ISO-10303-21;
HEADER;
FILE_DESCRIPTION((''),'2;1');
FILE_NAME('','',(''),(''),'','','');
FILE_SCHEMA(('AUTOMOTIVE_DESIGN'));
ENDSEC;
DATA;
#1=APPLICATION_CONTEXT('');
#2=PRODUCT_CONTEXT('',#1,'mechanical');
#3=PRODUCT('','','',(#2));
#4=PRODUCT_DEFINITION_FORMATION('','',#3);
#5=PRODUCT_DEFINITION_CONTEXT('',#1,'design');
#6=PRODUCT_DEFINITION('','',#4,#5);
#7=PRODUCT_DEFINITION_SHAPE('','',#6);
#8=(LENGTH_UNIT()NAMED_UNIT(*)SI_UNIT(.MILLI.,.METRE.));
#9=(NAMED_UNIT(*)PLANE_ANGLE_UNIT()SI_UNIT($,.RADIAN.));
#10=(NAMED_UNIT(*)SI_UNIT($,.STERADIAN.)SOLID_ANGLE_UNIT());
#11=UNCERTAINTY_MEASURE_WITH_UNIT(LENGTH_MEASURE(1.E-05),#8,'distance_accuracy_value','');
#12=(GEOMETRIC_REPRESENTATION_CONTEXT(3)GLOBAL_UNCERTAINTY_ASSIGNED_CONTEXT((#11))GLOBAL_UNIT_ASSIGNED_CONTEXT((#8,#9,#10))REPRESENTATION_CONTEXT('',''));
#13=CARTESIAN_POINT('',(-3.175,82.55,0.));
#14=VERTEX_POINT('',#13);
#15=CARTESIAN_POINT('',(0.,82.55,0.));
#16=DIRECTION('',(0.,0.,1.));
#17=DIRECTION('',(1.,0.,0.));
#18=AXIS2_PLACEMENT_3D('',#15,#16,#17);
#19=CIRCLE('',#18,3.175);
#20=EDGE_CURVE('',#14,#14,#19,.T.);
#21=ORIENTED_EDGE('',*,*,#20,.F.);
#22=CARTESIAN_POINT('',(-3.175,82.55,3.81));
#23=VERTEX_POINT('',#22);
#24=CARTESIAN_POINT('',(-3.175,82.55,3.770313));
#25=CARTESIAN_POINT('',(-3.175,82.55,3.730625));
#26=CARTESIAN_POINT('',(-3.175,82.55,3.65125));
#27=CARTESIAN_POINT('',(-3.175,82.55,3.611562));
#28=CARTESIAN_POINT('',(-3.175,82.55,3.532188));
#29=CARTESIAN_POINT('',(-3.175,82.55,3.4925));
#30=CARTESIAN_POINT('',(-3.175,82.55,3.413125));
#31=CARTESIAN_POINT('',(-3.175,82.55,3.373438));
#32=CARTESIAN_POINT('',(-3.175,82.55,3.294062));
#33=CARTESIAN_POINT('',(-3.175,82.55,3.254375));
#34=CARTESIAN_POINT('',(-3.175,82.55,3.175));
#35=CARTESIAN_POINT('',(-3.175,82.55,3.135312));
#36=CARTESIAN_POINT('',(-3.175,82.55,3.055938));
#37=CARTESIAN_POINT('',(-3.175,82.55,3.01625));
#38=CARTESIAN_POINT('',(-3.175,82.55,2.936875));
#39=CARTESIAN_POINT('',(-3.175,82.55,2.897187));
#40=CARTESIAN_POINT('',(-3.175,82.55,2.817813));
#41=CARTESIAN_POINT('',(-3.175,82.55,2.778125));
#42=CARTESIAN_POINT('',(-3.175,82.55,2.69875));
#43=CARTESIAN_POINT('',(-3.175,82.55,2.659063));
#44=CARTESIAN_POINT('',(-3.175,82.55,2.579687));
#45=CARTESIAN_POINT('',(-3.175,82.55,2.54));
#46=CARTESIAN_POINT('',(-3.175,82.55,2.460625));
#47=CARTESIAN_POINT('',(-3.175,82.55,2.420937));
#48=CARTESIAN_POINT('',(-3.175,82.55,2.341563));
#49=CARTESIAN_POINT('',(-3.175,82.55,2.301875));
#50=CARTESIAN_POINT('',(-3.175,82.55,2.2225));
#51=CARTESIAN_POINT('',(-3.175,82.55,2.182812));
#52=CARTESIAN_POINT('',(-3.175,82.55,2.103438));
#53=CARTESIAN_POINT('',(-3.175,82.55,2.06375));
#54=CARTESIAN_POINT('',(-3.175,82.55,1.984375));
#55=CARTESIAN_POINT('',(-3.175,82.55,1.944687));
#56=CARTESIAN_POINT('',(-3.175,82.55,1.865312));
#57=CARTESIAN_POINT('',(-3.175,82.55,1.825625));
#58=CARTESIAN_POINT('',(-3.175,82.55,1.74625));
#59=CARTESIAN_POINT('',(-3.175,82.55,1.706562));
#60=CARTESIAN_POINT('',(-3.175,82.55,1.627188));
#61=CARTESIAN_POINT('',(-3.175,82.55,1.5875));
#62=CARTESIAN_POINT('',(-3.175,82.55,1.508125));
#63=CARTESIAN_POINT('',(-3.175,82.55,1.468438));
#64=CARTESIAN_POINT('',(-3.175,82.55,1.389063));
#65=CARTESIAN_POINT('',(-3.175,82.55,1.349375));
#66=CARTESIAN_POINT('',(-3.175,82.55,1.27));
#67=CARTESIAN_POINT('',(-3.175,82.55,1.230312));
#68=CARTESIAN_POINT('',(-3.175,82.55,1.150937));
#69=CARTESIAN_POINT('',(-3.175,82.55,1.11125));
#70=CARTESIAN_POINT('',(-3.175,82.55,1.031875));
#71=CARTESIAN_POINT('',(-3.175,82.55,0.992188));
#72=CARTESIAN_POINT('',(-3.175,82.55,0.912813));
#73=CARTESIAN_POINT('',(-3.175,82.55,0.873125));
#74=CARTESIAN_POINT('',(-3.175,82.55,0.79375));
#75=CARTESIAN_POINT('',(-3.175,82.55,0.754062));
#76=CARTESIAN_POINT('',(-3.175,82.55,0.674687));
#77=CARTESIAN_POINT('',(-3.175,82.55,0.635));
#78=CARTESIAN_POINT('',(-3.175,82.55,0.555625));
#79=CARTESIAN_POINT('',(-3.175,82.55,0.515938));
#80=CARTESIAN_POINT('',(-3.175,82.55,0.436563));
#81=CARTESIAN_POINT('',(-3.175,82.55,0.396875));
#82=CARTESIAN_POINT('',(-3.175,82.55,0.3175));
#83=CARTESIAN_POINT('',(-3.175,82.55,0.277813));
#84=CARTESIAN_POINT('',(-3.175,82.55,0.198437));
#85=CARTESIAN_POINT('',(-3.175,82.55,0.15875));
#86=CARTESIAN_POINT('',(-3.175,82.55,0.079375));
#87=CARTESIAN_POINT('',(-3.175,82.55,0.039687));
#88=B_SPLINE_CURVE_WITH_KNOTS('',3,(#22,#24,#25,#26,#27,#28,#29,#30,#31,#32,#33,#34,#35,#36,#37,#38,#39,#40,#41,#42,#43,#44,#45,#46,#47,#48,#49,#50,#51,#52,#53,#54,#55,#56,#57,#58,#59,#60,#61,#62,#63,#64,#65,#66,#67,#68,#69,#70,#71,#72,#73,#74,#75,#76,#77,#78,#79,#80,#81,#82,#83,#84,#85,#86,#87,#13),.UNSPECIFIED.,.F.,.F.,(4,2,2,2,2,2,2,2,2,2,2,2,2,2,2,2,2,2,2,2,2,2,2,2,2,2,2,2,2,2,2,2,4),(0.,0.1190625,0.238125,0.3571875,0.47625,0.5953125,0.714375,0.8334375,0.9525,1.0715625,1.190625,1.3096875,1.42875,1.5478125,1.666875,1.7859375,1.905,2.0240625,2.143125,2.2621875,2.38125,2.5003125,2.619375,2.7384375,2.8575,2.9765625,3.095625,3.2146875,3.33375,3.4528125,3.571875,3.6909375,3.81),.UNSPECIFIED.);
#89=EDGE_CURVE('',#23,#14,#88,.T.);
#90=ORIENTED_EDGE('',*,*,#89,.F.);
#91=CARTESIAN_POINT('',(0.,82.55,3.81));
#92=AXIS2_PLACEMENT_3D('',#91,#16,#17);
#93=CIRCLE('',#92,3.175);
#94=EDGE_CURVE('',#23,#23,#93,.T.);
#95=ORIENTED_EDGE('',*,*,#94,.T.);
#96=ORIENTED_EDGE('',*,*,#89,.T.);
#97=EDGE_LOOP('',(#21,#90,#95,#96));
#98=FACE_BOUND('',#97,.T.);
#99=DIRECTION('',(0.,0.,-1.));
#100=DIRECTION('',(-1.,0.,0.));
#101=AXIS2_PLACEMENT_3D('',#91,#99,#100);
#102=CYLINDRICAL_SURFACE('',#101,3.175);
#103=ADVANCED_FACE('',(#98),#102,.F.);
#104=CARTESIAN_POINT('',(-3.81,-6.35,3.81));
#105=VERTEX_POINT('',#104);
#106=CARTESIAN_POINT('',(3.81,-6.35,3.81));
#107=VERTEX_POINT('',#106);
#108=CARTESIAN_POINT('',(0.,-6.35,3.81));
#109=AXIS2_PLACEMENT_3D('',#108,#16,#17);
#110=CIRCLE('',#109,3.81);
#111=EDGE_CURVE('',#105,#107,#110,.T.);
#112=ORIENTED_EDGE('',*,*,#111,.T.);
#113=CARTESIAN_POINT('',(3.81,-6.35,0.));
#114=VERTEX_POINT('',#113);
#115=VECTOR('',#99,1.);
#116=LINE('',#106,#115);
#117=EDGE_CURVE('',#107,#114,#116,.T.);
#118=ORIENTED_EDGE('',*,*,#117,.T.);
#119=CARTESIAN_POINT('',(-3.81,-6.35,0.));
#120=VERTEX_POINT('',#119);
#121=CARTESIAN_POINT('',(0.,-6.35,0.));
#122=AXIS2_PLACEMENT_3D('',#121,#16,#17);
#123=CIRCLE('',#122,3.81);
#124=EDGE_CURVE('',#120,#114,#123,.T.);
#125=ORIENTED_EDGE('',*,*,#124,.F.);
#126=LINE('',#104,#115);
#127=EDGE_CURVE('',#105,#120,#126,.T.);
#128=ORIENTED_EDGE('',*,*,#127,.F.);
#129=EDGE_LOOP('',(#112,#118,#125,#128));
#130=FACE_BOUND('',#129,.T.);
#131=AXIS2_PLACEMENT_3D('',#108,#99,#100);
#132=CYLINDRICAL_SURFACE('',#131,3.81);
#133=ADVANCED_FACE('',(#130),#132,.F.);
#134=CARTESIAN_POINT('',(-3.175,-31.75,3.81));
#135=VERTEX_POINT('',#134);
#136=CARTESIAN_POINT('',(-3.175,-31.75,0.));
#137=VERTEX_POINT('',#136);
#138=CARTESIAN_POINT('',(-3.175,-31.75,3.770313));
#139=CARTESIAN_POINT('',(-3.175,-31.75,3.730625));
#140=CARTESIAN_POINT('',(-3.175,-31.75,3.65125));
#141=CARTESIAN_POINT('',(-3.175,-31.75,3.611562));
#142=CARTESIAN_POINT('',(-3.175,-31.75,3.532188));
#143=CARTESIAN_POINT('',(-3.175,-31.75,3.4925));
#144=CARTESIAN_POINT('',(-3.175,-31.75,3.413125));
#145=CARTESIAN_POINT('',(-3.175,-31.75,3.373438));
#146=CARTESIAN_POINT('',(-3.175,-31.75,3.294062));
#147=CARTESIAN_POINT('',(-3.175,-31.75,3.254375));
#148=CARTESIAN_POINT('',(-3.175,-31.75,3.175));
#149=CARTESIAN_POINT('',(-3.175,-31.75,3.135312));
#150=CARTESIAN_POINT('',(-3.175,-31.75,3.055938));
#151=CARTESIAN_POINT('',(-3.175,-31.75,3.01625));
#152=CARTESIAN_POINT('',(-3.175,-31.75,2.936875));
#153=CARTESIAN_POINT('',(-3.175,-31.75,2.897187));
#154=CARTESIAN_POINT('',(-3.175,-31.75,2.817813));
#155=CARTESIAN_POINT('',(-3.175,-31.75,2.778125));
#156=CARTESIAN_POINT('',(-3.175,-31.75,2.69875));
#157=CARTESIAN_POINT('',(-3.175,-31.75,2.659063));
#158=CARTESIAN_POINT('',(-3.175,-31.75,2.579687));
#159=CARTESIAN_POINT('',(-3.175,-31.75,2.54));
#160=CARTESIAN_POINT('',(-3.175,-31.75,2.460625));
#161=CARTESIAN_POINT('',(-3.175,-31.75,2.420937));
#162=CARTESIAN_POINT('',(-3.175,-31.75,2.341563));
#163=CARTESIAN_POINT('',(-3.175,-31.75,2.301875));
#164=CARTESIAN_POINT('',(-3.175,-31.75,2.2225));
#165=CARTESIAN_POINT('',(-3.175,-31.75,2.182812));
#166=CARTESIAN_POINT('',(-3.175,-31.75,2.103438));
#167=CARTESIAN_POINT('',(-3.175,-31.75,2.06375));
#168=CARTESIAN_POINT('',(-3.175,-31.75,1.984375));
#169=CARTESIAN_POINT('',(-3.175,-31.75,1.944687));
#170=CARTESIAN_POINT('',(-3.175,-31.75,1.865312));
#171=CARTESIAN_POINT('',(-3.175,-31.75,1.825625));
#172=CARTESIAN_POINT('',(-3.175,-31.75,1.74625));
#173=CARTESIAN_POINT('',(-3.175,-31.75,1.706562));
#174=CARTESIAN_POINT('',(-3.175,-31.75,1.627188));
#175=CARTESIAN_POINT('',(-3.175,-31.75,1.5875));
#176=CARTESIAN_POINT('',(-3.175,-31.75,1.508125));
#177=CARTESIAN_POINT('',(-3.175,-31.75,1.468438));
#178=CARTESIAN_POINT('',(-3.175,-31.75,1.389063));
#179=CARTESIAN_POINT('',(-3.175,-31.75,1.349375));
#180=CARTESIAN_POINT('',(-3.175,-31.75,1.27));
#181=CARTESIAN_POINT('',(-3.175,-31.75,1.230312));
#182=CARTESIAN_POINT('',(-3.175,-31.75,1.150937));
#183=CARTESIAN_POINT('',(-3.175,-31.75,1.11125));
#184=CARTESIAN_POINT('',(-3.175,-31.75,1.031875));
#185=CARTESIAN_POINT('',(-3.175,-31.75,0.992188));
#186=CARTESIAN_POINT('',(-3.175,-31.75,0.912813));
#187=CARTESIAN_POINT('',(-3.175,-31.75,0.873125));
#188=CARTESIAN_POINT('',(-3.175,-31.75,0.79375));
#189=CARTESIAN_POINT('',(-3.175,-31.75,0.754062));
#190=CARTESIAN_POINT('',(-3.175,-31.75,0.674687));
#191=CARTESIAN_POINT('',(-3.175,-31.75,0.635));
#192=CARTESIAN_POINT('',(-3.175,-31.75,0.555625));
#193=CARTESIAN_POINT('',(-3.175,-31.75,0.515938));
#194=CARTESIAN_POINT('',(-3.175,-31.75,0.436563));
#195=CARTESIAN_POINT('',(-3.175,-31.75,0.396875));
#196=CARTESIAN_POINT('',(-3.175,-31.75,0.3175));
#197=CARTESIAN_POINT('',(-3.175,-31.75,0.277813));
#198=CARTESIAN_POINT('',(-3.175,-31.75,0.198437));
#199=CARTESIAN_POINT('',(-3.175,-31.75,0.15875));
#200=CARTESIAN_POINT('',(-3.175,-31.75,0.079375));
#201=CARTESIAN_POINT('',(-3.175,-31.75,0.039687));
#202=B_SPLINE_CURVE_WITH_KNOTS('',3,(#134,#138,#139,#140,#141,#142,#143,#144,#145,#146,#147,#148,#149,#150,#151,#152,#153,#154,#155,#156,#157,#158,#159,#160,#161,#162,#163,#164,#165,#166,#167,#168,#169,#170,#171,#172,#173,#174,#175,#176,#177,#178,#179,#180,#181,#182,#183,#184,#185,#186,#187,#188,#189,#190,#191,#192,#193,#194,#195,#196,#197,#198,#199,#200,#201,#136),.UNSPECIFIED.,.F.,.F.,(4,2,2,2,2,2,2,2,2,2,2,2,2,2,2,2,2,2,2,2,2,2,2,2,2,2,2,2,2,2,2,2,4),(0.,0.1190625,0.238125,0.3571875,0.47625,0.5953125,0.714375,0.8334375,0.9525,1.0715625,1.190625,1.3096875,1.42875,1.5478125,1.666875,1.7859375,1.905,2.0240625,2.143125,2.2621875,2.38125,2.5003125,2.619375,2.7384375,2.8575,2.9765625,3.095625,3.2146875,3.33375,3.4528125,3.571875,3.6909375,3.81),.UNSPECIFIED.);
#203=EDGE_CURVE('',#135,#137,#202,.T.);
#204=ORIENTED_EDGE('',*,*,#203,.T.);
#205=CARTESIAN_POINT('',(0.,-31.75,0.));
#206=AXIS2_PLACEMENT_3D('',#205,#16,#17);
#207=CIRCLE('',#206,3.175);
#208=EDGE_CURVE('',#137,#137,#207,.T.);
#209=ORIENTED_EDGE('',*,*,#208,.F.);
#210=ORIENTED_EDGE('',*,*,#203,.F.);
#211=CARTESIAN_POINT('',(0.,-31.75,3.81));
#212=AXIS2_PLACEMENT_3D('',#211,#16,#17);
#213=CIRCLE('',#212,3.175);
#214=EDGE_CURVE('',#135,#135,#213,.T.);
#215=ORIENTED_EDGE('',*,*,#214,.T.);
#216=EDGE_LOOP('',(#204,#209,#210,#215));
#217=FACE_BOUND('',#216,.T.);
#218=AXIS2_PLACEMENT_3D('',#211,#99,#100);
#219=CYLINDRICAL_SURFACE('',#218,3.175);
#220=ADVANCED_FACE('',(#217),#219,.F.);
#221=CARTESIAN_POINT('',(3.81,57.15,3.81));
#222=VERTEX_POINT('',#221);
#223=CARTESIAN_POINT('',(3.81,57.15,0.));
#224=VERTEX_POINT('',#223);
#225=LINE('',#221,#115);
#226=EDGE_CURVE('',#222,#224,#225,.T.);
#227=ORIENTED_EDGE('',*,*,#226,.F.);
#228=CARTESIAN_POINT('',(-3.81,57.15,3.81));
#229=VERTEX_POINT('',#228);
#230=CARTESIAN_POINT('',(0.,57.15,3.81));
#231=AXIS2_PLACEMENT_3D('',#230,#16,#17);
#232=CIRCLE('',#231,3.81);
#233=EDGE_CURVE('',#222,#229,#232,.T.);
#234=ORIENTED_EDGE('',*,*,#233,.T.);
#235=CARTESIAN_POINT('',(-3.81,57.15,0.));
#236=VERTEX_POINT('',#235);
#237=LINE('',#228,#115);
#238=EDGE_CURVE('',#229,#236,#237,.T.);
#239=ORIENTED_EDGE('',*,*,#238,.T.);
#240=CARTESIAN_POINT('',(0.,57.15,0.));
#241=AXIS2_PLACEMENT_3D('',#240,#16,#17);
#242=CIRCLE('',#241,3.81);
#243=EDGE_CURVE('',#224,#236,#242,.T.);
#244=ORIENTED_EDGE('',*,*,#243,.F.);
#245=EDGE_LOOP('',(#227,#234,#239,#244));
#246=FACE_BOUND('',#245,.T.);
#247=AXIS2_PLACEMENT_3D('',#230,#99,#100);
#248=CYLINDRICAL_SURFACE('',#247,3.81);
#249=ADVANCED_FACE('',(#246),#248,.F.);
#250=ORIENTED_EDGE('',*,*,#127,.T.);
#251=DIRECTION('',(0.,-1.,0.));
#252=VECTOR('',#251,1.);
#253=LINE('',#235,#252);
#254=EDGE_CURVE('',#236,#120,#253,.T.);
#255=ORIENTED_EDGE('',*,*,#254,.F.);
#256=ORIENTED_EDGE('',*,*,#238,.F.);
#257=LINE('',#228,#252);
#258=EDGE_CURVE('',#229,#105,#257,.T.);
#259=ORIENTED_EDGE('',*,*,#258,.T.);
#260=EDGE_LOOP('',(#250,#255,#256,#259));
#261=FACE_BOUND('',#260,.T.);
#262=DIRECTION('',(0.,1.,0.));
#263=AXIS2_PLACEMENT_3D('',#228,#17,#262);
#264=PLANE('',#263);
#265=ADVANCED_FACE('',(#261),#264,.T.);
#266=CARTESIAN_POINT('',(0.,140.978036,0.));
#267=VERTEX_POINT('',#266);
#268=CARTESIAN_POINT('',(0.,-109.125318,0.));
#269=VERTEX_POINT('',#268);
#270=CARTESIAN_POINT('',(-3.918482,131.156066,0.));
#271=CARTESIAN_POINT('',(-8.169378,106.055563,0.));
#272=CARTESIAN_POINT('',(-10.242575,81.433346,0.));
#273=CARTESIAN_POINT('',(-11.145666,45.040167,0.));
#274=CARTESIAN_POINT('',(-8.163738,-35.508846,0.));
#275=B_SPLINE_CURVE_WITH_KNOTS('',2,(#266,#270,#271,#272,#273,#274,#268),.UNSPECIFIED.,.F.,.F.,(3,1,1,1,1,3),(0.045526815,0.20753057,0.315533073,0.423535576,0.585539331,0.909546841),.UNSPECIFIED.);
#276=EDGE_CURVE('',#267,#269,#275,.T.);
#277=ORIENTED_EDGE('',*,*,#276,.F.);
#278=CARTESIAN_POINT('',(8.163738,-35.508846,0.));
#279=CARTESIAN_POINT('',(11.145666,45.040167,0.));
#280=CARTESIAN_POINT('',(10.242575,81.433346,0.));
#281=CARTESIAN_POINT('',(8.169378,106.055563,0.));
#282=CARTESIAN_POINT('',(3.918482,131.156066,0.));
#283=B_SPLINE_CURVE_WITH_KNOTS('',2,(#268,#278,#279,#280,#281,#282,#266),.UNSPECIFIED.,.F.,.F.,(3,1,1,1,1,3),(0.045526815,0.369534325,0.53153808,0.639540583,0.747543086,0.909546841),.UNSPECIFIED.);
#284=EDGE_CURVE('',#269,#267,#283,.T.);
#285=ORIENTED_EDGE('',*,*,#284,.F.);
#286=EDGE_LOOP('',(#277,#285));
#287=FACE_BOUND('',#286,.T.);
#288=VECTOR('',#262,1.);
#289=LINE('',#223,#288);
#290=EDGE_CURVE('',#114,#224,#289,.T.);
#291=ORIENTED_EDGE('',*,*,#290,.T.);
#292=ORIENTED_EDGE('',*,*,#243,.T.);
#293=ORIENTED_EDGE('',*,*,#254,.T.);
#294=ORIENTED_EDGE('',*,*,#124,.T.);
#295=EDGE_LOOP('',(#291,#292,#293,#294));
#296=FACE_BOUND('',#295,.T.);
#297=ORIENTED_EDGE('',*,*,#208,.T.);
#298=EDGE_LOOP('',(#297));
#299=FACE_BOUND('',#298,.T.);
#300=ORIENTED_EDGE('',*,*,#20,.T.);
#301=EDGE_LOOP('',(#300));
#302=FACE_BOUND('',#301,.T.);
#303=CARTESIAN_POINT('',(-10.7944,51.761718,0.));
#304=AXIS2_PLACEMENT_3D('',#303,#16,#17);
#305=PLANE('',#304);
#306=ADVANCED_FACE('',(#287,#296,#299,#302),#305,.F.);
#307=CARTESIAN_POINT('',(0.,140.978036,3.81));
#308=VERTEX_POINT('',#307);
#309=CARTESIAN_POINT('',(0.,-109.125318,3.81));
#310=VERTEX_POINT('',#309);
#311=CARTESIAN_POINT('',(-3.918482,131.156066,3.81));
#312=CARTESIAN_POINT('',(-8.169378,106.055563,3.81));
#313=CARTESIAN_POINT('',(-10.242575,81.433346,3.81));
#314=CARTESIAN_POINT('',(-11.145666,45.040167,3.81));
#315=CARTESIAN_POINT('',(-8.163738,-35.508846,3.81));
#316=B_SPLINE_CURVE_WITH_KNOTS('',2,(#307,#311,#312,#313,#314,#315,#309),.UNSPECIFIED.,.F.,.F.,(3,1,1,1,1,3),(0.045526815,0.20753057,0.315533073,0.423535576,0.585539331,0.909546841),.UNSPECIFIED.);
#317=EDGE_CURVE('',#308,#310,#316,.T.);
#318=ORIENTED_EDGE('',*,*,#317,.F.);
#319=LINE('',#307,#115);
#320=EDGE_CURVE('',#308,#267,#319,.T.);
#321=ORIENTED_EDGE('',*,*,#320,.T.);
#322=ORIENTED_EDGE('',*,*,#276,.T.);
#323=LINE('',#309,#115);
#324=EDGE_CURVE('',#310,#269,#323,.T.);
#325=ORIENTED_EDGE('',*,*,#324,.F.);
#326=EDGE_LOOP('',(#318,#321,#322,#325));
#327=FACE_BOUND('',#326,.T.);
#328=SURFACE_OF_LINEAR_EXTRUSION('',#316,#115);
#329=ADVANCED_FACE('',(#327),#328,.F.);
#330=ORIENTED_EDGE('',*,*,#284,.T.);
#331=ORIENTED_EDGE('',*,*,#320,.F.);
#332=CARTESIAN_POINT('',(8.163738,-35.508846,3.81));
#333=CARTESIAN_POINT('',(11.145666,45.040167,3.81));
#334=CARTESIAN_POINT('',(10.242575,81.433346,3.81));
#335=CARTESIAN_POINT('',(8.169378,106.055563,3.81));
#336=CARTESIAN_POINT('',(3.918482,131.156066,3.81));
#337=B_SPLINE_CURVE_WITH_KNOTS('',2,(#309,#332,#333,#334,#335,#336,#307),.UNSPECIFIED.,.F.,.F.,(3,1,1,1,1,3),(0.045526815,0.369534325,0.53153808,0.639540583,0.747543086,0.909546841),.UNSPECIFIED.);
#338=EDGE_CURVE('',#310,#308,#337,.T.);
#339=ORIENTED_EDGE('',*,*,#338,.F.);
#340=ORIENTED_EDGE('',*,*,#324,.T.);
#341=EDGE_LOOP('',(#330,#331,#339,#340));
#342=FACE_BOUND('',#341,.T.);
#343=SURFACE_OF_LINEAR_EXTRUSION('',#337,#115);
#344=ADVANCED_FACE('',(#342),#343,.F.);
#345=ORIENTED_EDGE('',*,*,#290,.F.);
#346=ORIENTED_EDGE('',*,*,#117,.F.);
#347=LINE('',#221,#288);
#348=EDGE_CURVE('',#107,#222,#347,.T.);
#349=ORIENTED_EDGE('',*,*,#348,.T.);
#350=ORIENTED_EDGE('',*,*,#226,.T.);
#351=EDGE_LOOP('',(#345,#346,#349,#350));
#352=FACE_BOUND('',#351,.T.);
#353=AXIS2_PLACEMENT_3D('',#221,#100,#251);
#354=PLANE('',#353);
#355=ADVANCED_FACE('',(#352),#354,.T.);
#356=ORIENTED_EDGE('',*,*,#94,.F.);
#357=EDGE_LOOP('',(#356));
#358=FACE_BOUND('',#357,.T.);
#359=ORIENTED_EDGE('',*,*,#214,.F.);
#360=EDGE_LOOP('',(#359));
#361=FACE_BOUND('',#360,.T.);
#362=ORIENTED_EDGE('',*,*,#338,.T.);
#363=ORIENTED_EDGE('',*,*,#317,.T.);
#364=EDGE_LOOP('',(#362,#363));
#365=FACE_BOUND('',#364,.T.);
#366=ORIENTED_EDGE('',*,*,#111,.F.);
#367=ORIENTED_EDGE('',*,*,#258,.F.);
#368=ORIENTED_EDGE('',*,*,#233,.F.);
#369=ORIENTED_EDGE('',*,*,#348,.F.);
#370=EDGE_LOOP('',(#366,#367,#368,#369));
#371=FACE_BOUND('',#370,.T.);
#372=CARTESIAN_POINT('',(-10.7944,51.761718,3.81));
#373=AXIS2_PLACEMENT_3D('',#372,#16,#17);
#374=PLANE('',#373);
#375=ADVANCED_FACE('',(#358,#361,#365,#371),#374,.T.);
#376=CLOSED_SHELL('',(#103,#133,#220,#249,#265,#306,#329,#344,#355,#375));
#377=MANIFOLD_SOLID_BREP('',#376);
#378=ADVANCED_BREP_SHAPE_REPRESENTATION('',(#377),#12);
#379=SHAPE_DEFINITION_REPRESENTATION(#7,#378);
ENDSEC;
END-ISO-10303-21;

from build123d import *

# Parameters (mm, degrees)
SKETCH1_R          = 3.175
MAIN_EXTRUDE_DEPTH = 3.81


with BuildPart() as part:
    # Sketch1 → Main extrude (new body)
    with BuildSketch(Plane.XY):
        with BuildLine():
            add(Edge.make_bspline(
                [(0, 140.978035645), (3.918482074, 131.156065717), (8.169378172, 106.05556313), (10.242574642, 81.433345605), (11.145665597, 45.040166844), (8.163737965, -35.508846412), (0, -109.12531842)],
                knots=[0.045526815, 0.045526815, 0.045526815, 0.20753057, 0.315533073, 0.423535576, 0.585539331, 0.909546841, 0.909546841, 0.909546841], degree=2))
            add(Edge.make_bspline(
                [(0, -109.12531842), (-8.163737965, -35.508846412), (-11.145665597, 45.040166844), (-10.242574642, 81.433345605), (-8.169378172, 106.05556313), (-3.918482074, 131.156065717), (0, 140.978035645)],
                knots=[0.045526815, 0.045526815, 0.045526815, 0.369534325, 0.53153808, 0.639540583, 0.747543086, 0.909546841, 0.909546841, 0.909546841], degree=2))
        make_face()
        with Locations(Location((0, 82.55, 0), (0, 0, 180))):
            Circle(SKETCH1_R, mode=Mode.SUBTRACT)
        with Locations(Location((0, -31.75, 0), (0, 0, 180))):
            Circle(SKETCH1_R, mode=Mode.SUBTRACT)
        with BuildLine():
            Line((3.81, 57.15), (3.81, -6.35))
            ThreePointArc((3.81, -6.35), (0, -10.16), (-3.81, -6.35))
            Line((-3.81, -6.35), (-3.81, 57.15))
            ThreePointArc((-3.81, 57.15), (0, 60.96), (3.81, 57.15))
        make_face(mode=Mode.SUBTRACT)
    extrude(amount=MAIN_EXTRUDE_DEPTH)


solid = part.part
